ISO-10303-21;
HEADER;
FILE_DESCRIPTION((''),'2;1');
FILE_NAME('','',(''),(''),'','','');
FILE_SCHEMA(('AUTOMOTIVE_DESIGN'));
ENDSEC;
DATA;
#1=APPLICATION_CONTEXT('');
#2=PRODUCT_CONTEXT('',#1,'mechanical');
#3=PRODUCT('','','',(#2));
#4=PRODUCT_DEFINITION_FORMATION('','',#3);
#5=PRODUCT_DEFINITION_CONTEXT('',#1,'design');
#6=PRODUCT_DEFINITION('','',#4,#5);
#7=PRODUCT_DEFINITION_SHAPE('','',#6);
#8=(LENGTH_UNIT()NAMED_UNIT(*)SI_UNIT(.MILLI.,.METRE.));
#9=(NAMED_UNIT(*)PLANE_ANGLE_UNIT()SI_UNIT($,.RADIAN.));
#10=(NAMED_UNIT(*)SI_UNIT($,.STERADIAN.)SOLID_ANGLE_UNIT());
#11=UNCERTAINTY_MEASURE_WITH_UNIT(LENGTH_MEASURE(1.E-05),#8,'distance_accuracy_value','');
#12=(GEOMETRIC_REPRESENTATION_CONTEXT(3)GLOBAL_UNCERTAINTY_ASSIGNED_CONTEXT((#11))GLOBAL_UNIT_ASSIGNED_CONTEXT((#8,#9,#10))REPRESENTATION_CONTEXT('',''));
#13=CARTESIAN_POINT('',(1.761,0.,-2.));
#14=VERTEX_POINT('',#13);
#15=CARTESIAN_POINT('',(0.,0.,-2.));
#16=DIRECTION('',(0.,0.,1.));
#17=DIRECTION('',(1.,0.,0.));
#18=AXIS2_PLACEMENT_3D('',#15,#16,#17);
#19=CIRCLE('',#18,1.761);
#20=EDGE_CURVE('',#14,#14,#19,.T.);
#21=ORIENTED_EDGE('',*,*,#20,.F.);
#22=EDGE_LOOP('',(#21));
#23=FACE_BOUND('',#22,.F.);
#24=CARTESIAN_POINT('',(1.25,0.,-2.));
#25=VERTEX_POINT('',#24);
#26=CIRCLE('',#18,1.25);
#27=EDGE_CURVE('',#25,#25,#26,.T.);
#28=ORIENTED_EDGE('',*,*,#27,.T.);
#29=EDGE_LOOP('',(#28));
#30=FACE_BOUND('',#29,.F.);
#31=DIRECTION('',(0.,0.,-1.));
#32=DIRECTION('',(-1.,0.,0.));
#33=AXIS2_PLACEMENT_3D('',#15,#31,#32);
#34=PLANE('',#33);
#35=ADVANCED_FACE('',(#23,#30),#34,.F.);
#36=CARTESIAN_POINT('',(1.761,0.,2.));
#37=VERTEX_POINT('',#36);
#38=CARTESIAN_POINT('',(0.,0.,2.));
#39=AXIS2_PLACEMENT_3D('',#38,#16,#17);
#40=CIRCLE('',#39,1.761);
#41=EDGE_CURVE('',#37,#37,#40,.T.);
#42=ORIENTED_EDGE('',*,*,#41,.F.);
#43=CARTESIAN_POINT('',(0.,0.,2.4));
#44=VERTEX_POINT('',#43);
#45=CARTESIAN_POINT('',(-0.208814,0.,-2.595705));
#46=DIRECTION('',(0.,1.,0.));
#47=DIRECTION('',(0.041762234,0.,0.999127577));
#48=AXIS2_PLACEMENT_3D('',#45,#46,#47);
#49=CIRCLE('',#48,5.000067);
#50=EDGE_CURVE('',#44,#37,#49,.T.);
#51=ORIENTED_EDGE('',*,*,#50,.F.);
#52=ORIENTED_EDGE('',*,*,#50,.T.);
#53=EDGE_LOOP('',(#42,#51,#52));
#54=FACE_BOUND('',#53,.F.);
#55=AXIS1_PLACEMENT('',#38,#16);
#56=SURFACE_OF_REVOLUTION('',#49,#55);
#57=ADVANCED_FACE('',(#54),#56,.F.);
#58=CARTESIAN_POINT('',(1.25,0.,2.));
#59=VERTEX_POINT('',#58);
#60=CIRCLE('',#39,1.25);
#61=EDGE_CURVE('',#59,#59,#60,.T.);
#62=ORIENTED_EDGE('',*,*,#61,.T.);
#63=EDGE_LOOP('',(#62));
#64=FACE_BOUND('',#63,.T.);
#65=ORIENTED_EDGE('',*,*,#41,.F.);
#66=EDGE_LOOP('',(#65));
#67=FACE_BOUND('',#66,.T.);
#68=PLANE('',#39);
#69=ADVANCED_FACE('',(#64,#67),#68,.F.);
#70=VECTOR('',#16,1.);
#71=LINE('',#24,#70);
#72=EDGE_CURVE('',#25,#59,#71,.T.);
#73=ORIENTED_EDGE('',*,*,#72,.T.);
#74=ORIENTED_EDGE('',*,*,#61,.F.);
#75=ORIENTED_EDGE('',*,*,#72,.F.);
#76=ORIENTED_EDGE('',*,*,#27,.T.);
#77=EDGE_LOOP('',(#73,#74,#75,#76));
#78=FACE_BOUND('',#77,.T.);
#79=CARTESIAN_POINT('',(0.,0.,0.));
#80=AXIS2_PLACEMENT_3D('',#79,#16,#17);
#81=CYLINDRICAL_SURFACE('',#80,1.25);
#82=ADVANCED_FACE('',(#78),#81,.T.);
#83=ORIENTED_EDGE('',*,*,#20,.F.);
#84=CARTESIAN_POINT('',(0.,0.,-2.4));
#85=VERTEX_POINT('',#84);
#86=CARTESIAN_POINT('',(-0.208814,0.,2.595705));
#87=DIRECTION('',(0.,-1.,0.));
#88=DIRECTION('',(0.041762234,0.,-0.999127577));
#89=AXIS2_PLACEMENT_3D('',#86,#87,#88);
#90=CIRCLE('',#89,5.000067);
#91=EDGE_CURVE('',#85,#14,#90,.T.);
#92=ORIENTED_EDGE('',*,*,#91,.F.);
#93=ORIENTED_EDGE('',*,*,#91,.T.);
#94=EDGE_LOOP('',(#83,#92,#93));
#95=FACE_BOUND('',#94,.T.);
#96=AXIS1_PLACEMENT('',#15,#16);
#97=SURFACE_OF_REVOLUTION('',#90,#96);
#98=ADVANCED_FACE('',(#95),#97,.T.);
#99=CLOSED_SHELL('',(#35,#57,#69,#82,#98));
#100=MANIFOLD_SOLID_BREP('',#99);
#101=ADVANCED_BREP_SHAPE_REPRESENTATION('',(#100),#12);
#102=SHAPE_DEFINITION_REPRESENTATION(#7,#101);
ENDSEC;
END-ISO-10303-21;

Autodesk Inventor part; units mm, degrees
ref_plane "YZ Plane" through (0, 0, 0) normal (1, 0, 0) x (0, 1, 0)
ref_plane "XZ Plane" through (0, 0, 0) normal (0, 1, 0) x (-1, 0, 0)
ref_plane "XY Plane" through (0, 0, 0) normal (0, 0, 1) x (1, 0, 0)
sketch "Sketch2" plane through (0, 0, 0) normal (0, 0, 1) x (1, 0, 0)
  circle A0 centre (0, 0) radius 1.25
  dimension "d44" = 2.5
extrude "Extrusion8" add sketch "Sketch2" along normal mid plane 4
sketch "Sketch3" plane through (0, 0, 2) normal (0, 0, 1) x (1, 0, 0)
  circle A0 centre (0, 0) radius 1.75
  dimension "d47" = 3.5
sketch "Sketch4" plane through (0, 0, 0) normal (0, 1, 0) x (-1, 0, 0)
  line L0 (1.25, 2) -> (-1.25, 2) projected
  line L1 (0, 2) -> (0, 2.4)
  arc A0 (0, 2.4) -> (-1.761, 2) centre (0.2088, -2.5956) ccw
  line L2 (0, 2) -> (-1.761, 2)
  point P0 (0, 0)
  dimension "d48" = 0.4
  dimension "d49" = 5
revolve "Revolution1" add sketch "Sketch4" angle 360 about axis through (0, 0, 2) along (0, 0, 1)
mirror "Mirror1" about plane through (0, 0, 0) normal (0, 0, 1) of "Revolution1"
properties part number "link7" material "Aluminum 6061"
